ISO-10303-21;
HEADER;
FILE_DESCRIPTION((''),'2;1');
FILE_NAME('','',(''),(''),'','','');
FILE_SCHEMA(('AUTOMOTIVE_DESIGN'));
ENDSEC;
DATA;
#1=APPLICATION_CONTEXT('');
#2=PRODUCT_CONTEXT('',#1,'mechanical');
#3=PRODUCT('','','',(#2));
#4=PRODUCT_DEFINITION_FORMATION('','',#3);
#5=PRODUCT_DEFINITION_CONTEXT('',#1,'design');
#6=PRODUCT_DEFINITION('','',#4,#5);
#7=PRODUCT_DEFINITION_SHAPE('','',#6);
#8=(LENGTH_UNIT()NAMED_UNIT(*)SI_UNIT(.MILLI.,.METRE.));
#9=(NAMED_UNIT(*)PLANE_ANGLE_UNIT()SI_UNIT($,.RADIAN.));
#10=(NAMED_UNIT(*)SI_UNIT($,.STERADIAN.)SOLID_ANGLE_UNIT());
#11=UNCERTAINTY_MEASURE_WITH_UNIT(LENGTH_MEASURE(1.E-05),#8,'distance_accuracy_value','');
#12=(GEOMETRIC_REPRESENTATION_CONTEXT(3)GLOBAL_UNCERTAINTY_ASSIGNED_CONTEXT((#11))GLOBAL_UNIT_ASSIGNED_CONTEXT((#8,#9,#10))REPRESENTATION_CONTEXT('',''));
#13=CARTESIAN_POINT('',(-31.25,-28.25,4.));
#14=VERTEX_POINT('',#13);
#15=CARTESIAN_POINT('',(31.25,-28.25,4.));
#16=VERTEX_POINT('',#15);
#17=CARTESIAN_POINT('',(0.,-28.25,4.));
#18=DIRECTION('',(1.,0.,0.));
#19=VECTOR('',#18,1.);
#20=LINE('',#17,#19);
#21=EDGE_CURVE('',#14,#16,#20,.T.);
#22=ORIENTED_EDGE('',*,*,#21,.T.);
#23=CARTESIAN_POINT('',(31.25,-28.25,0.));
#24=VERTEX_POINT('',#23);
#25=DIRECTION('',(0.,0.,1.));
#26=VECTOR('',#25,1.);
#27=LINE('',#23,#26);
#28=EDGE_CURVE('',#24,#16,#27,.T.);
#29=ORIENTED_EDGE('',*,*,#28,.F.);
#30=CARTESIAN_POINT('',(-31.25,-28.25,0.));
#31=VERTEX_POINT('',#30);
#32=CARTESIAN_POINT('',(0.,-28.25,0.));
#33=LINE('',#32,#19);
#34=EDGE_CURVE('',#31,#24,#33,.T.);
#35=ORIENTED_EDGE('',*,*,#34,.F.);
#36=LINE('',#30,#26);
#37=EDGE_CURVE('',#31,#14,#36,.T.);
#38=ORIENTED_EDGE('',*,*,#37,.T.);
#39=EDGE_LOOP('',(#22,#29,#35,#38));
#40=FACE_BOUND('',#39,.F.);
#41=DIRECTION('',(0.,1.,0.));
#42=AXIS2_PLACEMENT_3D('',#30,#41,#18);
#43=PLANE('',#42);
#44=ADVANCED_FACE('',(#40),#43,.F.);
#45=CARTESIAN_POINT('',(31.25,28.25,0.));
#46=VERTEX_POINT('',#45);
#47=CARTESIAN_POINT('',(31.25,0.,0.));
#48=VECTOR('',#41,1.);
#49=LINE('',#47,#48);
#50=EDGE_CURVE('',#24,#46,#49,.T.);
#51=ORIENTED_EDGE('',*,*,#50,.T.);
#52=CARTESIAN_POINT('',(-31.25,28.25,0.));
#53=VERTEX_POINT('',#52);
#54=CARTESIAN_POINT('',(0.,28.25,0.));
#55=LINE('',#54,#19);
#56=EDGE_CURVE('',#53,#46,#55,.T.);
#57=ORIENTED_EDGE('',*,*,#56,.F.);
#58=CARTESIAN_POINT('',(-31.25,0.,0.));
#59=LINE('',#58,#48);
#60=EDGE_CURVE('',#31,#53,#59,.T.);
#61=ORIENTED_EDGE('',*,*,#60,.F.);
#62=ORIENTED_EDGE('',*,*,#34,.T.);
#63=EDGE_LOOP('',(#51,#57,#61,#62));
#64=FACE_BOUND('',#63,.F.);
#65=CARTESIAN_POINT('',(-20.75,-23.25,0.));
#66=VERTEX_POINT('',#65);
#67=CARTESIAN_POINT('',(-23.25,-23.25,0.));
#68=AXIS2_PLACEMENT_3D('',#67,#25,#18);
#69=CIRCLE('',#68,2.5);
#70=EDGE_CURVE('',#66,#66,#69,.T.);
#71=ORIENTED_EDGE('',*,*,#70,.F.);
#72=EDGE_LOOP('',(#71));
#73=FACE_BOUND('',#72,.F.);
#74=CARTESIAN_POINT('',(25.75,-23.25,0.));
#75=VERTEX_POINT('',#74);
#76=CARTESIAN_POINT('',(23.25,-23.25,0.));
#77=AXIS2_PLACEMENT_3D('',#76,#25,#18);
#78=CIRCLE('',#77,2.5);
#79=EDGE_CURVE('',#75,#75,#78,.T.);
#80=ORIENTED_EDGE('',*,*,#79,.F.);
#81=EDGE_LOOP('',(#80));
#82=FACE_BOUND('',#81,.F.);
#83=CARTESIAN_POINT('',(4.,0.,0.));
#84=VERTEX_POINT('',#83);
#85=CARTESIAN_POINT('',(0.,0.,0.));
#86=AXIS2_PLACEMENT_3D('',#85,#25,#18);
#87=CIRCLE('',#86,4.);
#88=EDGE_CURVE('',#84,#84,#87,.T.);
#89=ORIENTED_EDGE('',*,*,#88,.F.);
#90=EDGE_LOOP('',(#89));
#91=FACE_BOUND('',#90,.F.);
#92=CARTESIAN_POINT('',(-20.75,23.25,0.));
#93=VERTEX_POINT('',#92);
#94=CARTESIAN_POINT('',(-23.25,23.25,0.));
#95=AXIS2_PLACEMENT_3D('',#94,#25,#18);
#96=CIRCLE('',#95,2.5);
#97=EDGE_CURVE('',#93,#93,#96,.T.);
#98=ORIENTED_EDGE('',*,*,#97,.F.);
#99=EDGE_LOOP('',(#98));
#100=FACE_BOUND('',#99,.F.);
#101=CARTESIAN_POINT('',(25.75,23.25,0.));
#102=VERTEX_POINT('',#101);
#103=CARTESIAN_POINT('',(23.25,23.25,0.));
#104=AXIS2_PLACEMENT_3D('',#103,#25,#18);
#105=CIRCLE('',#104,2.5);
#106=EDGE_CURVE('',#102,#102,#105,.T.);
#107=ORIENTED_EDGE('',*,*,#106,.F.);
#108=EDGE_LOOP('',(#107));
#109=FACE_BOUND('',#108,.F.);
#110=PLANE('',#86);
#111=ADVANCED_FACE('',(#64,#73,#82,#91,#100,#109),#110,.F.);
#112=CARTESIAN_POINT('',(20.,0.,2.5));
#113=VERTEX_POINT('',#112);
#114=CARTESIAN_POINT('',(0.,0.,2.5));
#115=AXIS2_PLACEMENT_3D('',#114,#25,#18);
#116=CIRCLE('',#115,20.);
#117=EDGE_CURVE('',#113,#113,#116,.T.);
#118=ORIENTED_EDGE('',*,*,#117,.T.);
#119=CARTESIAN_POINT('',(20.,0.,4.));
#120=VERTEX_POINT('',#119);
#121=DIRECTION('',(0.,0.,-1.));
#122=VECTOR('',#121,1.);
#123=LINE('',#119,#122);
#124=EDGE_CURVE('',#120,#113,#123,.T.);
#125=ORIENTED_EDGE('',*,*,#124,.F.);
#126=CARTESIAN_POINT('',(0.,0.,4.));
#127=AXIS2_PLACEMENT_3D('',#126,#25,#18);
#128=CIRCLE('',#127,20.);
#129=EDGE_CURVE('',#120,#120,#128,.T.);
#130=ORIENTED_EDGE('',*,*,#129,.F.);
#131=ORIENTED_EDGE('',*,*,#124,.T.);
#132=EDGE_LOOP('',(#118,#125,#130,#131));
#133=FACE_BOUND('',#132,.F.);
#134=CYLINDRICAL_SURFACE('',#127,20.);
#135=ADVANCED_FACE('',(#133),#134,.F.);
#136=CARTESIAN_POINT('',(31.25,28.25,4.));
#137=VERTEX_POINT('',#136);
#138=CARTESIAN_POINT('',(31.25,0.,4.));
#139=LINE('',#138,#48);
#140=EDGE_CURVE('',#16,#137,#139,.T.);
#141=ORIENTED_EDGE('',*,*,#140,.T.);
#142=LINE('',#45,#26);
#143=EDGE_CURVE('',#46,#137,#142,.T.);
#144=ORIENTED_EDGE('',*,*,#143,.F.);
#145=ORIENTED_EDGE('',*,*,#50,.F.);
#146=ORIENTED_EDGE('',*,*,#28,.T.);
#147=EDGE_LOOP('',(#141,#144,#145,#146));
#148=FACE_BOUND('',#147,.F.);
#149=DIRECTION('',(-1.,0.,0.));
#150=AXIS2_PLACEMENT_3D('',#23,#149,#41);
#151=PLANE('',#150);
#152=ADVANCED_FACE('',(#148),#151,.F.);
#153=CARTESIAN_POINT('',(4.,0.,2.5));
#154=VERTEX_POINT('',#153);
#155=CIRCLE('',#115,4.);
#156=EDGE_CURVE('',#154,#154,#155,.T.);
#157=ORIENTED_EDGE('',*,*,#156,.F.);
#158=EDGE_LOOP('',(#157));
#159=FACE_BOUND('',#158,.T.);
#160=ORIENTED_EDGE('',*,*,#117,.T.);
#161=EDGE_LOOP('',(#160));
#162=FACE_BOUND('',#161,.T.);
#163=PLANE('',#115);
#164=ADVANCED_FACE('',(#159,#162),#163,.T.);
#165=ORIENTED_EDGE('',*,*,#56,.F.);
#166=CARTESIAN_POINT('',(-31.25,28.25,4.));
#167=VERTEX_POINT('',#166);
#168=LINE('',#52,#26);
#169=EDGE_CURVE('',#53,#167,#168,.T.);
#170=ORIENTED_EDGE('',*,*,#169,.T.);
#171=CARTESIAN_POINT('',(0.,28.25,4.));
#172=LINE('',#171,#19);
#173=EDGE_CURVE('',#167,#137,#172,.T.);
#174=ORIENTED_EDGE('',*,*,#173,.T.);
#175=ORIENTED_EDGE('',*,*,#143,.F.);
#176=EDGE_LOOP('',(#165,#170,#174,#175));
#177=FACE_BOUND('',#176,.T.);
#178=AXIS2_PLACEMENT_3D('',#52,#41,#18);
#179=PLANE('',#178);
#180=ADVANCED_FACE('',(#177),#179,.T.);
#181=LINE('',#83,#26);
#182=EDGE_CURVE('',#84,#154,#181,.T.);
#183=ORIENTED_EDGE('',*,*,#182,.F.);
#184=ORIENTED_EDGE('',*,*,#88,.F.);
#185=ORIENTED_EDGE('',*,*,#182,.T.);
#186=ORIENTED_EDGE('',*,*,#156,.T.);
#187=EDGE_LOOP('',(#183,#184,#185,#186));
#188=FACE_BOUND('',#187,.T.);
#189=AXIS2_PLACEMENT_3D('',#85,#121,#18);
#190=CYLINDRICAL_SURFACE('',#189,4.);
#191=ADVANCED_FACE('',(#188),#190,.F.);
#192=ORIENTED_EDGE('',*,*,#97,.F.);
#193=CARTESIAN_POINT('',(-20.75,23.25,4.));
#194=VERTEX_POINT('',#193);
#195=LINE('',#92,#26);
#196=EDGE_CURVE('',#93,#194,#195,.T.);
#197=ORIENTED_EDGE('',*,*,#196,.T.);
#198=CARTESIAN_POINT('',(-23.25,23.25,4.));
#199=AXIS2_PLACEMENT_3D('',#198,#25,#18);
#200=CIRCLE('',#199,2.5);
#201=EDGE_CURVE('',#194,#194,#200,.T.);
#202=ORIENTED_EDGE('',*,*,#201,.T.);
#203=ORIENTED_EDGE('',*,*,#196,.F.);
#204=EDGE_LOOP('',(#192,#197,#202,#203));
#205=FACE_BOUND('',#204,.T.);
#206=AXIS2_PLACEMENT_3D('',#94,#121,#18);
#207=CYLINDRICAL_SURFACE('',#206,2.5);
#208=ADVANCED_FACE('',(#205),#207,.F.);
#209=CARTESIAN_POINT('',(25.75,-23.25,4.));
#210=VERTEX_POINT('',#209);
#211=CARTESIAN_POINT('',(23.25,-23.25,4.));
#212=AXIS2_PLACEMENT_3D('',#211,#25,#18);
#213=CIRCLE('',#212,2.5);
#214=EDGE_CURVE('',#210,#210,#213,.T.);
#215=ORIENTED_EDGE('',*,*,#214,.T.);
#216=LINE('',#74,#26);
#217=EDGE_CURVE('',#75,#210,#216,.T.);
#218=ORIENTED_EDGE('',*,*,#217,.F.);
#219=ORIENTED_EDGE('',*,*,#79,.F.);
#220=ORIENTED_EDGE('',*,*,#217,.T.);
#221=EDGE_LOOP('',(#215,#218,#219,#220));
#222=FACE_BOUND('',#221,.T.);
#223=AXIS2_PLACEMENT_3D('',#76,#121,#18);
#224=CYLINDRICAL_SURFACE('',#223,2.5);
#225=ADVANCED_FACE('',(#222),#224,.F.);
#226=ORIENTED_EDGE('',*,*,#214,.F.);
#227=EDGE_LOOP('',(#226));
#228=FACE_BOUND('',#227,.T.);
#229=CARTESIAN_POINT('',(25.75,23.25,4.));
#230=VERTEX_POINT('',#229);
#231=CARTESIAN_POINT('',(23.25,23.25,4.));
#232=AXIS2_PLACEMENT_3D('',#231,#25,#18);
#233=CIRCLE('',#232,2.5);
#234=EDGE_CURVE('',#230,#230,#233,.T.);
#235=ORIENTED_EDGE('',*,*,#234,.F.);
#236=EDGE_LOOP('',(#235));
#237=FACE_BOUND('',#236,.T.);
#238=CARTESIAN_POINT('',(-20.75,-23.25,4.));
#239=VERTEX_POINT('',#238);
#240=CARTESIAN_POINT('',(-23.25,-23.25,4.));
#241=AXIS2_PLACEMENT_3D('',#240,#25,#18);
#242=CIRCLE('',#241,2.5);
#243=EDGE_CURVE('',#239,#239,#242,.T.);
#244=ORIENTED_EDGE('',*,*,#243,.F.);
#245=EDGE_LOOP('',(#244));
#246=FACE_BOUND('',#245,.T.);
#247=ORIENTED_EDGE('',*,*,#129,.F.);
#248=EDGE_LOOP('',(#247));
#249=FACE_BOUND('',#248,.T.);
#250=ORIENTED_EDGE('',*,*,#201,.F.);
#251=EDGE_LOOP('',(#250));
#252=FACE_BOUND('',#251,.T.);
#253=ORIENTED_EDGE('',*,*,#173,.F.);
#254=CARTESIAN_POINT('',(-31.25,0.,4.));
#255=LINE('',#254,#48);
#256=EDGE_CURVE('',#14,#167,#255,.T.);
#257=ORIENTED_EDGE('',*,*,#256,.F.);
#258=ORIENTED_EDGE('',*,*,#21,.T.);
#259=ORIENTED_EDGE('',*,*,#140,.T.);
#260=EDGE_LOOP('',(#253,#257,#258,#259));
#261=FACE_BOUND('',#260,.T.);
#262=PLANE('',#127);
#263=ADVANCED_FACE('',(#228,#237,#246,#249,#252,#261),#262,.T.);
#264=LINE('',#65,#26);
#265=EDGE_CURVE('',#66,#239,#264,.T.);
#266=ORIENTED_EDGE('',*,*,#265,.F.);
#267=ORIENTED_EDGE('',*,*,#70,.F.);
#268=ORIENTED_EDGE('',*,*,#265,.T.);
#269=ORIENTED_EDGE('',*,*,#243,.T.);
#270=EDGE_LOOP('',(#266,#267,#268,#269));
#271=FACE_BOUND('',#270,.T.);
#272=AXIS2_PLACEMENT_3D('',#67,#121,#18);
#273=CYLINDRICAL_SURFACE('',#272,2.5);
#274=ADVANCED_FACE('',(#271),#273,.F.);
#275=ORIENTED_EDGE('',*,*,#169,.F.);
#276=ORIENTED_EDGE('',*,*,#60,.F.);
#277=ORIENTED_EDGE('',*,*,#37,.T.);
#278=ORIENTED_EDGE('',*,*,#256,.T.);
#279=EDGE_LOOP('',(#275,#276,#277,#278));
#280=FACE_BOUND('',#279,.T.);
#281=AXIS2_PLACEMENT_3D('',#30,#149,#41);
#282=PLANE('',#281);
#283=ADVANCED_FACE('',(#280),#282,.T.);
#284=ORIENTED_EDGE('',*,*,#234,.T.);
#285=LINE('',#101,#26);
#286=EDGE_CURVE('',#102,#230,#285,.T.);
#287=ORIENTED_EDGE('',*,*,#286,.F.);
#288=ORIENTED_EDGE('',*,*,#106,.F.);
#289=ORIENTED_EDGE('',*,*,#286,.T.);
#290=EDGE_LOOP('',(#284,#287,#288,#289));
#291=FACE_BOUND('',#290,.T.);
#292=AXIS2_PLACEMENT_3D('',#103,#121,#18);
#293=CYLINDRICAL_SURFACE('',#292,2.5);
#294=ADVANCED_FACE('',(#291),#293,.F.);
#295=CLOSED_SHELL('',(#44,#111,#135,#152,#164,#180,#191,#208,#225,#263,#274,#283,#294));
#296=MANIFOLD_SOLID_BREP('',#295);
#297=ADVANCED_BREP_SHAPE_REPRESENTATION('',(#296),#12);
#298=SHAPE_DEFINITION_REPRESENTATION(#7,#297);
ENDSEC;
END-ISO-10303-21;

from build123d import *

# Parameters (mm, degrees)
SKETCH_W      = 62.5
SKETCH_H      = 56.5
SKETCH_R      = 2.5
SKETCH_R_2    = 4
PAD_DEPTH     = 4
SKETCH001_R   = 20
SKETCH001_R_2 = 4
POCKET_DEPTH  = 1.5


with BuildPart() as part:
    # Sketch → Pad (new body)
    with BuildSketch(Plane.XY):
        Rectangle(SKETCH_W, SKETCH_H)
        with Locations((23.25, -23.25)):
            Circle(SKETCH_R, mode=Mode.SUBTRACT)
        with Locations((23.25, 23.25)):
            Circle(SKETCH_R, mode=Mode.SUBTRACT)
        with Locations((-23.25, 23.25)):
            Circle(SKETCH_R, mode=Mode.SUBTRACT)
        with Locations((-23.25, -23.25)):
            Circle(SKETCH_R, mode=Mode.SUBTRACT)
        Circle(SKETCH_R_2, mode=Mode.SUBTRACT)
    extrude(amount=PAD_DEPTH)

    # Sketch001 (on Face11 of Pad) → Pocket (cut)
    with BuildSketch(Plane.XY.offset(4)):
        Circle(SKETCH001_R)
        Circle(SKETCH001_R_2, mode=Mode.SUBTRACT)
    extrude(amount=-POCKET_DEPTH, mode=Mode.SUBTRACT)


solid = part.part
